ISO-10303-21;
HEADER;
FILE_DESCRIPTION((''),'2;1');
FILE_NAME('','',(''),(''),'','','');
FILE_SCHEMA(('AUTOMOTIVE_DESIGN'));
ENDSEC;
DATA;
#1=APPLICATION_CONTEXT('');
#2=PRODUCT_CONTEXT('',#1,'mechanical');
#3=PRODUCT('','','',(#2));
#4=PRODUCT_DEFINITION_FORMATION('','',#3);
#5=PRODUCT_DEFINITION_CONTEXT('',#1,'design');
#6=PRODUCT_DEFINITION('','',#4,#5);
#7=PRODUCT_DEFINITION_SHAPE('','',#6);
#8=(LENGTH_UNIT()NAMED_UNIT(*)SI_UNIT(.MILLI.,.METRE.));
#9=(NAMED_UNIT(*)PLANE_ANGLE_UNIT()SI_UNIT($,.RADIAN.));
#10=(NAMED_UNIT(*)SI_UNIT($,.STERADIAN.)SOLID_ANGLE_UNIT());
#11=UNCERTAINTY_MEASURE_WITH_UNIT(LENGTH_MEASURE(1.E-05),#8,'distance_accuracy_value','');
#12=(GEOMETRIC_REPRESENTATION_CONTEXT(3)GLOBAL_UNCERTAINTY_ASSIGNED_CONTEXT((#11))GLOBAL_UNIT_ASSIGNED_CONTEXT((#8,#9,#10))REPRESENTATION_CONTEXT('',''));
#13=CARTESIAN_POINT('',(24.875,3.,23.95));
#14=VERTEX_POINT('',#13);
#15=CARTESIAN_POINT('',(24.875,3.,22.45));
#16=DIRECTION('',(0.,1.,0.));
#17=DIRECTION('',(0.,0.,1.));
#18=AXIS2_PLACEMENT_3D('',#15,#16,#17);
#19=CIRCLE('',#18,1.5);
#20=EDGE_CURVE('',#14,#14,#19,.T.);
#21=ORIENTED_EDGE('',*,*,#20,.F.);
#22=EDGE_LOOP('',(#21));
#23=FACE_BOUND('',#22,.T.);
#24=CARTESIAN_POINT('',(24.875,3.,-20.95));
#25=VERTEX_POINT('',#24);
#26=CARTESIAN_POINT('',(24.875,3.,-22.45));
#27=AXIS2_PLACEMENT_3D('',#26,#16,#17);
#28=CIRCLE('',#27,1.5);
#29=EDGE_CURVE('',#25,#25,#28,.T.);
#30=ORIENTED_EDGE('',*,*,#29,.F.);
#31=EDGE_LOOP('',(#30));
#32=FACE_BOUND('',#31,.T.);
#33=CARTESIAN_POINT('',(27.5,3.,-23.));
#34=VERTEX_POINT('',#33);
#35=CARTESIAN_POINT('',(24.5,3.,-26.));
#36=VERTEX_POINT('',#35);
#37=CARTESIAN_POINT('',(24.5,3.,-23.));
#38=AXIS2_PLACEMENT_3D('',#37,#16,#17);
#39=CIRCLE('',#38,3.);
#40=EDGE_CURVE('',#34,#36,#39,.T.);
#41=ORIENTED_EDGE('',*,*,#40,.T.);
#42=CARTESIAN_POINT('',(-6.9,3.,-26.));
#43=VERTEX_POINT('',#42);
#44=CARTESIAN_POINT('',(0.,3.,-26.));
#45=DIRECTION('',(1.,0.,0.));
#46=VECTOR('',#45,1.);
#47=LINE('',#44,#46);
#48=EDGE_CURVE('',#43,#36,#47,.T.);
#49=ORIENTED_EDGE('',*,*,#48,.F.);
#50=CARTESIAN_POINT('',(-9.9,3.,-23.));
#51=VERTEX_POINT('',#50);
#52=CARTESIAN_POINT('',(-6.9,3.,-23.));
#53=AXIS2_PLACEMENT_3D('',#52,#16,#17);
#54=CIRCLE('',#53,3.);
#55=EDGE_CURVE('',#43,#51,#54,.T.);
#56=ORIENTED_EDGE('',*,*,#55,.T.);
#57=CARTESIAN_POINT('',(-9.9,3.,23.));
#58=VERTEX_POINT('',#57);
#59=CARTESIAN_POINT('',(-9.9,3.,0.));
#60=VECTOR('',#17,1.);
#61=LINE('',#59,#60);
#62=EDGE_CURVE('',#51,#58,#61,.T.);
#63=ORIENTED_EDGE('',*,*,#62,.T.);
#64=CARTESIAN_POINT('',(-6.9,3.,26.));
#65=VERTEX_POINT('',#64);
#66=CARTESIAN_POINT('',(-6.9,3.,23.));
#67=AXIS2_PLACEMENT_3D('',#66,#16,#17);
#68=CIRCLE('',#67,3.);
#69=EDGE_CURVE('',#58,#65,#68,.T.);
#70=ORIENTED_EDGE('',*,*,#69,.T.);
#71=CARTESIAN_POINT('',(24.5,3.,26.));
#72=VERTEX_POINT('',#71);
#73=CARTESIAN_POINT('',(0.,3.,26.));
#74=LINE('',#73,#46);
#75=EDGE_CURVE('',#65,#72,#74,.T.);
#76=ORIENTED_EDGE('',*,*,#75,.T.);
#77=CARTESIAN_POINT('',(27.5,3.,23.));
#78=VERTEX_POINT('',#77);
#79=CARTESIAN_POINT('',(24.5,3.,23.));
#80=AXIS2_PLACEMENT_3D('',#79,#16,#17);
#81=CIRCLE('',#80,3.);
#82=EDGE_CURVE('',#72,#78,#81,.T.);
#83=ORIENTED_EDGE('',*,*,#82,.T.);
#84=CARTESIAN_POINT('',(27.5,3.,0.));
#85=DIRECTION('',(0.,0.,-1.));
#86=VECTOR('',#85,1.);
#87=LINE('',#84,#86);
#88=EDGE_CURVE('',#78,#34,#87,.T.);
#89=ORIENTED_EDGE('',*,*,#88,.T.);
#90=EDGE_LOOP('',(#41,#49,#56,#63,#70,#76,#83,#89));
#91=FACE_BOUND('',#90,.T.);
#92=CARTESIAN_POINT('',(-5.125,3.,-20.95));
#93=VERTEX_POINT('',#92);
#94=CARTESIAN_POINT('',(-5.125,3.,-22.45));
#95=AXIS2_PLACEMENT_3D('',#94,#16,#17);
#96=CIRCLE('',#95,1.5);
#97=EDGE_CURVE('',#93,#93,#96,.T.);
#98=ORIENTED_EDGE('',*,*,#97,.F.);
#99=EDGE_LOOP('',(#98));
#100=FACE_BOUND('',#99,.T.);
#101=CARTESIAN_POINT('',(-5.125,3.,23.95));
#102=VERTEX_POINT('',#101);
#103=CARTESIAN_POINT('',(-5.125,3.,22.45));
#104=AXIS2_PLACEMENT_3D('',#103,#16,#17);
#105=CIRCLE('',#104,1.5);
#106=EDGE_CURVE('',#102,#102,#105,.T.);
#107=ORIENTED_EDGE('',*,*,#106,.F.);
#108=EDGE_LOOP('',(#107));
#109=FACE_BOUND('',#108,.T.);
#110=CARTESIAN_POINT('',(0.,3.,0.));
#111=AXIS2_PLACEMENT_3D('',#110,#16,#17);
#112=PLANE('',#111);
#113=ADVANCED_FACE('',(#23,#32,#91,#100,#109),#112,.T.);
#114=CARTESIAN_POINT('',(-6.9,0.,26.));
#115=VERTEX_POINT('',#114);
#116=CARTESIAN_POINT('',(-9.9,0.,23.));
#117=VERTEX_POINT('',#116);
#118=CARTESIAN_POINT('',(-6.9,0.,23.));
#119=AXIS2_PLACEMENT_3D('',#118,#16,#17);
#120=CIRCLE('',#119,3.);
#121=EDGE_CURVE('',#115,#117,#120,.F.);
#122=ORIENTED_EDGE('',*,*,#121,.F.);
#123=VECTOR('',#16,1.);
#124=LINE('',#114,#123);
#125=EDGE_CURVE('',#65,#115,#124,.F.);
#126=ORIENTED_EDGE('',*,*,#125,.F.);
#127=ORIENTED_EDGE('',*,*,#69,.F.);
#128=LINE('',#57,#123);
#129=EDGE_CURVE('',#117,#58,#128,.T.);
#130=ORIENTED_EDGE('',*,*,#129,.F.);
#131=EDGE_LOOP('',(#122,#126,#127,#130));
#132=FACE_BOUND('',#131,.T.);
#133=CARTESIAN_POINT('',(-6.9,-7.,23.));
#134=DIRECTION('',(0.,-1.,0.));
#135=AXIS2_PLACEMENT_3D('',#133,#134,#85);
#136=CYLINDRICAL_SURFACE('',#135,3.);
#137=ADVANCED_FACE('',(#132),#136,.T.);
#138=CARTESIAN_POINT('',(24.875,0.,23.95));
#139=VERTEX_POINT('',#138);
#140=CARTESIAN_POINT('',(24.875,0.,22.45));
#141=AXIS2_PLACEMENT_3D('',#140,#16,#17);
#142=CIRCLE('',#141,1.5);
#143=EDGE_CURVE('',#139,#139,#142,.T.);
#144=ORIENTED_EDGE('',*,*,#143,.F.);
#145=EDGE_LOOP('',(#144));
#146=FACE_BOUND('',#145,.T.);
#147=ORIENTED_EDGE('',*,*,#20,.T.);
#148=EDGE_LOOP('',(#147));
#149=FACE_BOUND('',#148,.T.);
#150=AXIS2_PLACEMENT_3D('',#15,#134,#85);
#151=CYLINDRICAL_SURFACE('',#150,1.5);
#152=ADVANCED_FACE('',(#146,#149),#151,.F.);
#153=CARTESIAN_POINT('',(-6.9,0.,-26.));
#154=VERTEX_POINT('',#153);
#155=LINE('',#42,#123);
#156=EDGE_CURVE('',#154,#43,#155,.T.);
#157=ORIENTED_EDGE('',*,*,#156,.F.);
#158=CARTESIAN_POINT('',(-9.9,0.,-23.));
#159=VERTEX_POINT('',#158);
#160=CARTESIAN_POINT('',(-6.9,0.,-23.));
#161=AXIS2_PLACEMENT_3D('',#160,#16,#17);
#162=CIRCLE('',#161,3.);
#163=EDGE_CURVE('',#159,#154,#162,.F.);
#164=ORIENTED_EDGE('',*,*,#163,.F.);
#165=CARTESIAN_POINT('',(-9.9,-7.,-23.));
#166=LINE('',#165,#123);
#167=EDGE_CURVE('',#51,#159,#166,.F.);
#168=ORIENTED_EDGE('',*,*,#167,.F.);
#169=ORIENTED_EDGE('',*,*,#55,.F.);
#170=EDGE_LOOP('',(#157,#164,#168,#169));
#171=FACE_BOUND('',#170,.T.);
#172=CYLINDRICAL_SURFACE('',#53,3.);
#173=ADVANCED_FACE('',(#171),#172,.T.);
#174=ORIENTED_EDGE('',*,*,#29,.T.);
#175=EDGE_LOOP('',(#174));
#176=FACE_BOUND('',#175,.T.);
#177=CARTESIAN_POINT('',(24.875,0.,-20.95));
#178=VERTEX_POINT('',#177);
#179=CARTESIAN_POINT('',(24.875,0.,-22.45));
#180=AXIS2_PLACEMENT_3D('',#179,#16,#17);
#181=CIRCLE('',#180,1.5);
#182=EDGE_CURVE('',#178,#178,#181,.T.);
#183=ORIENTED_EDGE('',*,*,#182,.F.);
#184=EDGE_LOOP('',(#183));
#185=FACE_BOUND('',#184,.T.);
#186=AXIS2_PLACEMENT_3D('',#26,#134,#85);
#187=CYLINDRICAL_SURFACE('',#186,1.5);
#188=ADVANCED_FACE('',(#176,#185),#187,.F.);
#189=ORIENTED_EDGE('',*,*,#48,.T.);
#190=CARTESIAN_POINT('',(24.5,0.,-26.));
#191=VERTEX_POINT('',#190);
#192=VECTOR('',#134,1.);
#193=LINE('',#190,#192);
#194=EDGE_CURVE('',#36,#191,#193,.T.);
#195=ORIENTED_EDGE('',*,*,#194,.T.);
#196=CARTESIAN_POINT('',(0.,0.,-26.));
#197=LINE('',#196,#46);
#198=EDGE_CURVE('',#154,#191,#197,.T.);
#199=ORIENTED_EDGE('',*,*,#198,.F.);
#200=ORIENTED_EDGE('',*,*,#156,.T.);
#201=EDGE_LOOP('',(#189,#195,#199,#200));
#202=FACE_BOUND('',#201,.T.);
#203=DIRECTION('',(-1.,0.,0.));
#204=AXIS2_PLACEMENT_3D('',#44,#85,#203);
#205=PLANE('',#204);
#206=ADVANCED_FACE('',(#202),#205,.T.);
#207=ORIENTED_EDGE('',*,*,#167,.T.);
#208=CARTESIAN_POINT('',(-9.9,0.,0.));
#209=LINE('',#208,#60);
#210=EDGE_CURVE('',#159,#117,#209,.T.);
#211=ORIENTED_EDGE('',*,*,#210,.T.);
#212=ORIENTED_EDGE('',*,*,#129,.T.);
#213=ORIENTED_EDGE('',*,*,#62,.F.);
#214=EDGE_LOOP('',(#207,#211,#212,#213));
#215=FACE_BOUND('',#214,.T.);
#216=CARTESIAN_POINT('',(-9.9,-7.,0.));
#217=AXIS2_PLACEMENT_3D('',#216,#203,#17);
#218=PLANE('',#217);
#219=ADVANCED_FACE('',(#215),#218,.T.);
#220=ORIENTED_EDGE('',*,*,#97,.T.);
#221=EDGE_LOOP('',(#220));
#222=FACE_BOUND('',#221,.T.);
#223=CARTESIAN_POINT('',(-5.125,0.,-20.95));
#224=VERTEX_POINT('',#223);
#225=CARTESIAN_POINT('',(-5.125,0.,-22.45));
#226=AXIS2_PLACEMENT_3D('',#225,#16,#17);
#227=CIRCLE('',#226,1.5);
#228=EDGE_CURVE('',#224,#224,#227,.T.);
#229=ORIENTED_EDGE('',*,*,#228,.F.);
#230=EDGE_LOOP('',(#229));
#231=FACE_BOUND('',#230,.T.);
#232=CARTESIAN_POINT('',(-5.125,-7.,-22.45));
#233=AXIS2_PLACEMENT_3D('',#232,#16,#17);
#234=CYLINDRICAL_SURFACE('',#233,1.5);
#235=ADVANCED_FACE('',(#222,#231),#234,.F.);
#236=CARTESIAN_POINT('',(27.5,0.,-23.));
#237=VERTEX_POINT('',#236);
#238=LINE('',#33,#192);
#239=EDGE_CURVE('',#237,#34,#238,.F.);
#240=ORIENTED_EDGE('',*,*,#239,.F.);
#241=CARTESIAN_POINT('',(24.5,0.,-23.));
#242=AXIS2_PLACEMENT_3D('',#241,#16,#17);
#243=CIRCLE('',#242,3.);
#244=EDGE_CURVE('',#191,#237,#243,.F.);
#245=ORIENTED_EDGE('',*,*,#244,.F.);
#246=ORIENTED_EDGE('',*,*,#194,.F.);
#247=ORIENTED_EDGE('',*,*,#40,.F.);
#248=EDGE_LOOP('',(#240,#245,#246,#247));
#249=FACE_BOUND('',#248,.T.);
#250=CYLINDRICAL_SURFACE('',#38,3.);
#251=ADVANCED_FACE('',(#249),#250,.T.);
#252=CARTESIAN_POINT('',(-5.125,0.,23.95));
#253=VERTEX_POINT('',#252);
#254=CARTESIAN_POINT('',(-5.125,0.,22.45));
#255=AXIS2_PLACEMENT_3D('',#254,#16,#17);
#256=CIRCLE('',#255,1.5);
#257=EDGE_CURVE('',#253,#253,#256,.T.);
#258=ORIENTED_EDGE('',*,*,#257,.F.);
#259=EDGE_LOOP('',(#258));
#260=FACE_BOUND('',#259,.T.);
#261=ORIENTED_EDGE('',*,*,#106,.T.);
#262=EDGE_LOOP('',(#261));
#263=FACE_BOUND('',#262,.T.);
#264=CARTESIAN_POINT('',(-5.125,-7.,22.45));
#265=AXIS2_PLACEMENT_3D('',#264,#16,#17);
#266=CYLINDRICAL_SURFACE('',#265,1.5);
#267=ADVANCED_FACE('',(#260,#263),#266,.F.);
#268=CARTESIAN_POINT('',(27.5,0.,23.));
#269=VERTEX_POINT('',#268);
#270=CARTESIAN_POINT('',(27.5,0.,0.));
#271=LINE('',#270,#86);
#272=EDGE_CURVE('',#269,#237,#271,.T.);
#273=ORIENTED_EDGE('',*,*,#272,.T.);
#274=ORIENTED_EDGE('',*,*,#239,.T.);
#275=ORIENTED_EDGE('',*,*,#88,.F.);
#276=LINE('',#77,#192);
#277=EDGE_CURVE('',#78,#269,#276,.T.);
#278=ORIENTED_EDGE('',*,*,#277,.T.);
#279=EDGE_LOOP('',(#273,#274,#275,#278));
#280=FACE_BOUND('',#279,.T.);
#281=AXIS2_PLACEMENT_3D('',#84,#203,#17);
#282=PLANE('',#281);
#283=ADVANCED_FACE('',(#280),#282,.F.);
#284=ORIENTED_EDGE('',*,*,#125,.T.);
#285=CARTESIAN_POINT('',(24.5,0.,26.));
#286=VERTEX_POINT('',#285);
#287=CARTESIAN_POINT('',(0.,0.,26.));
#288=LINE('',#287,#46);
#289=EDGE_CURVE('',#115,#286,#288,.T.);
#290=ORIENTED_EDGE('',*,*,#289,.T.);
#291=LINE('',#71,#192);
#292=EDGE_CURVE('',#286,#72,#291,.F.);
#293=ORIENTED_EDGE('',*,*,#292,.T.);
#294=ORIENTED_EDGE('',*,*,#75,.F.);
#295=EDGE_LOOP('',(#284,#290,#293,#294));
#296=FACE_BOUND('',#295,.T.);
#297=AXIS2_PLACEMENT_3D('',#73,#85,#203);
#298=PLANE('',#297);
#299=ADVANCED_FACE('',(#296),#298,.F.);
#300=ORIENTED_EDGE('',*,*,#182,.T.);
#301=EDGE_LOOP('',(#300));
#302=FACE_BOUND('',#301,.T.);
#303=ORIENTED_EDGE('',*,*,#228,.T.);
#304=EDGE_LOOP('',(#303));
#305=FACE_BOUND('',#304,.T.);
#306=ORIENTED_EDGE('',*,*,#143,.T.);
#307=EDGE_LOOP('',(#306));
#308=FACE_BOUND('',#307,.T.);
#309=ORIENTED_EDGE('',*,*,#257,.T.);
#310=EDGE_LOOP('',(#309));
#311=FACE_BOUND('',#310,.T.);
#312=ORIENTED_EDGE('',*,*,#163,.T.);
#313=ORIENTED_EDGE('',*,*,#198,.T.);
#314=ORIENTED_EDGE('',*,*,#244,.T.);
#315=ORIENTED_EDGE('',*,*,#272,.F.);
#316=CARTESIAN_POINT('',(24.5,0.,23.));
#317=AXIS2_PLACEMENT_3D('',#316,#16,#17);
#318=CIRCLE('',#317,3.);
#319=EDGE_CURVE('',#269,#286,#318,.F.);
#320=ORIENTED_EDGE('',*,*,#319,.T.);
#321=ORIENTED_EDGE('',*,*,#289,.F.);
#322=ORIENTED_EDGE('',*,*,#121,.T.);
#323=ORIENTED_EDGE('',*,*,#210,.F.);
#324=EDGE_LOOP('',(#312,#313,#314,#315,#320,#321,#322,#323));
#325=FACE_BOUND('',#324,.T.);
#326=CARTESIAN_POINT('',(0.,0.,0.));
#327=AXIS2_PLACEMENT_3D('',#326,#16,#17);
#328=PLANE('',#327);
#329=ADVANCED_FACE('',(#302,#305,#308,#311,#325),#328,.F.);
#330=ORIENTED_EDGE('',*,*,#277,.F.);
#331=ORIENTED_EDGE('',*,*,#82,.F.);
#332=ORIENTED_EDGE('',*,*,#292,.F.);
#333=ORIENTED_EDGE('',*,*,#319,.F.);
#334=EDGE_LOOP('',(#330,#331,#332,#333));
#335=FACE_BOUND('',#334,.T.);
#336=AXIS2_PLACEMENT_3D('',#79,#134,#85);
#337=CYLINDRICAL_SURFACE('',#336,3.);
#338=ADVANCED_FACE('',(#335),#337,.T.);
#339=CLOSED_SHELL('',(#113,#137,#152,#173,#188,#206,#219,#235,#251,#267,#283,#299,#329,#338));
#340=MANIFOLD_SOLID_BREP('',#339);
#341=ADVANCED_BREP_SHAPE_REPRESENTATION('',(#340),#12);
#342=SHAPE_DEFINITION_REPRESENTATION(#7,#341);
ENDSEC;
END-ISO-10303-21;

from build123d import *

# Parameters (mm, degrees)
SKETCH2_W           = 65
SKETCH2_H           = 52
SKETCH2_R           = 1.5
BOSS_EXTRUDE1_DEPTH = 3
FILLET1_R           = 3
CUT_EXTRUDE1_START  = -10
SKETCH3_R           = 1.5
CUT_EXTRUDE1_DEPTH  = 10
SKETCH4_R           = 1.5
CUT_EXTRUDE2_DEPTH  = 10
FILLET2_R           = 3


with BuildPart() as part:
    # Sketch2 → Boss-Extrude1 (new body)
    with BuildSketch(Plane(origin=(0, 0, 0), x_dir=(1, 0, 0), z_dir=(0, 1, 0))):
        with Locations((-5, 0)):
            Rectangle(SKETCH2_W, SKETCH2_H)
        with Locations(Location((-24.875, 22.45, 0), (0, 0, 270))):
            Circle(SKETCH2_R, mode=Mode.SUBTRACT)
        with Locations(Location((24.875, 22.45, 0), (0, 0, 270))):
            Circle(SKETCH2_R, mode=Mode.SUBTRACT)
        with Locations(Location((24.875, -22.45, 0), (0, 0, 270))):
            Circle(SKETCH2_R, mode=Mode.SUBTRACT)
        with Locations(Location((-24.875, -22.45, 0), (0, 0, 270))):
            Circle(SKETCH2_R, mode=Mode.SUBTRACT)
    extrude(amount=BOSS_EXTRUDE1_DEPTH)

    # Fillet1
    fillet1_edges = [part.edges().sort_by_distance(p)[0] for p in [
        (-37.5, 1.5, 26),
        (-37.5, 1.5, -26),
        (27.5, 1.5, -26),
        (27.5, 1.5, 26),
    ]]
    fillet(fillet1_edges, radius=FILLET1_R)

    # Sketch3 → Cut-Extrude1 (cut)
    with BuildSketch(Plane(origin=(0, 3, 0), x_dir=(1, 0, 0), z_dir=(0, 1, 0)).offset(CUT_EXTRUDE1_START)):
        with Locations(Location((24.875, 22.45, 0), (0, 0, 270))):
            Circle(SKETCH3_R)
        with Locations(Location((-5.125, 22.45, 0), (0, 0, 270))):
            Circle(SKETCH3_R)
        with Locations(Location((-5.125, -22.45, 0), (0, 0, 270))):
            Circle(SKETCH3_R)
        with Locations(Location((24.875, -22.45, 0), (0, 0, 270))):
            Circle(SKETCH3_R)
    extrude(amount=CUT_EXTRUDE1_DEPTH, mode=Mode.SUBTRACT)

    # Sketch4 → Cut-Extrude2 (cut)
    with BuildSketch(Plane(origin=(0, 3, 0), x_dir=(1, 0, 0), z_dir=(0, 1, 0))):
        with BuildLine():
            Line((-9.9, -26), (-9.9, 0))
            Line((-9.9, 0), (-9.9, 26))
            Line((-9.9, 26), (-34.5, 26))
            ThreePointArc((-34.5, 26), (-36.621320344, 25.121320344), (-37.5, 23))
            Line((-37.5, 23), (-37.5, -23))
            ThreePointArc((-37.5, -23), (-36.621320344, -25.121320344), (-34.5, -26))
            Line((-34.5, -26), (-9.9, -26))
        make_face()
        with Locations((-24.875, -22.45)):
            Circle(SKETCH4_R, mode=Mode.SUBTRACT)
        with Locations((-24.875, 22.45)):
            Circle(SKETCH4_R, mode=Mode.SUBTRACT)
    extrude(amount=-CUT_EXTRUDE2_DEPTH, mode=Mode.SUBTRACT)

    # Fillet2
    fillet2_edges = [part.edges().sort_by_distance(p)[0] for p in [
        (-9.9, 1.5, -26),
        (-9.9, 1.5, 26),
    ]]
    fillet(fillet2_edges, radius=FILLET2_R)


solid = part.part
